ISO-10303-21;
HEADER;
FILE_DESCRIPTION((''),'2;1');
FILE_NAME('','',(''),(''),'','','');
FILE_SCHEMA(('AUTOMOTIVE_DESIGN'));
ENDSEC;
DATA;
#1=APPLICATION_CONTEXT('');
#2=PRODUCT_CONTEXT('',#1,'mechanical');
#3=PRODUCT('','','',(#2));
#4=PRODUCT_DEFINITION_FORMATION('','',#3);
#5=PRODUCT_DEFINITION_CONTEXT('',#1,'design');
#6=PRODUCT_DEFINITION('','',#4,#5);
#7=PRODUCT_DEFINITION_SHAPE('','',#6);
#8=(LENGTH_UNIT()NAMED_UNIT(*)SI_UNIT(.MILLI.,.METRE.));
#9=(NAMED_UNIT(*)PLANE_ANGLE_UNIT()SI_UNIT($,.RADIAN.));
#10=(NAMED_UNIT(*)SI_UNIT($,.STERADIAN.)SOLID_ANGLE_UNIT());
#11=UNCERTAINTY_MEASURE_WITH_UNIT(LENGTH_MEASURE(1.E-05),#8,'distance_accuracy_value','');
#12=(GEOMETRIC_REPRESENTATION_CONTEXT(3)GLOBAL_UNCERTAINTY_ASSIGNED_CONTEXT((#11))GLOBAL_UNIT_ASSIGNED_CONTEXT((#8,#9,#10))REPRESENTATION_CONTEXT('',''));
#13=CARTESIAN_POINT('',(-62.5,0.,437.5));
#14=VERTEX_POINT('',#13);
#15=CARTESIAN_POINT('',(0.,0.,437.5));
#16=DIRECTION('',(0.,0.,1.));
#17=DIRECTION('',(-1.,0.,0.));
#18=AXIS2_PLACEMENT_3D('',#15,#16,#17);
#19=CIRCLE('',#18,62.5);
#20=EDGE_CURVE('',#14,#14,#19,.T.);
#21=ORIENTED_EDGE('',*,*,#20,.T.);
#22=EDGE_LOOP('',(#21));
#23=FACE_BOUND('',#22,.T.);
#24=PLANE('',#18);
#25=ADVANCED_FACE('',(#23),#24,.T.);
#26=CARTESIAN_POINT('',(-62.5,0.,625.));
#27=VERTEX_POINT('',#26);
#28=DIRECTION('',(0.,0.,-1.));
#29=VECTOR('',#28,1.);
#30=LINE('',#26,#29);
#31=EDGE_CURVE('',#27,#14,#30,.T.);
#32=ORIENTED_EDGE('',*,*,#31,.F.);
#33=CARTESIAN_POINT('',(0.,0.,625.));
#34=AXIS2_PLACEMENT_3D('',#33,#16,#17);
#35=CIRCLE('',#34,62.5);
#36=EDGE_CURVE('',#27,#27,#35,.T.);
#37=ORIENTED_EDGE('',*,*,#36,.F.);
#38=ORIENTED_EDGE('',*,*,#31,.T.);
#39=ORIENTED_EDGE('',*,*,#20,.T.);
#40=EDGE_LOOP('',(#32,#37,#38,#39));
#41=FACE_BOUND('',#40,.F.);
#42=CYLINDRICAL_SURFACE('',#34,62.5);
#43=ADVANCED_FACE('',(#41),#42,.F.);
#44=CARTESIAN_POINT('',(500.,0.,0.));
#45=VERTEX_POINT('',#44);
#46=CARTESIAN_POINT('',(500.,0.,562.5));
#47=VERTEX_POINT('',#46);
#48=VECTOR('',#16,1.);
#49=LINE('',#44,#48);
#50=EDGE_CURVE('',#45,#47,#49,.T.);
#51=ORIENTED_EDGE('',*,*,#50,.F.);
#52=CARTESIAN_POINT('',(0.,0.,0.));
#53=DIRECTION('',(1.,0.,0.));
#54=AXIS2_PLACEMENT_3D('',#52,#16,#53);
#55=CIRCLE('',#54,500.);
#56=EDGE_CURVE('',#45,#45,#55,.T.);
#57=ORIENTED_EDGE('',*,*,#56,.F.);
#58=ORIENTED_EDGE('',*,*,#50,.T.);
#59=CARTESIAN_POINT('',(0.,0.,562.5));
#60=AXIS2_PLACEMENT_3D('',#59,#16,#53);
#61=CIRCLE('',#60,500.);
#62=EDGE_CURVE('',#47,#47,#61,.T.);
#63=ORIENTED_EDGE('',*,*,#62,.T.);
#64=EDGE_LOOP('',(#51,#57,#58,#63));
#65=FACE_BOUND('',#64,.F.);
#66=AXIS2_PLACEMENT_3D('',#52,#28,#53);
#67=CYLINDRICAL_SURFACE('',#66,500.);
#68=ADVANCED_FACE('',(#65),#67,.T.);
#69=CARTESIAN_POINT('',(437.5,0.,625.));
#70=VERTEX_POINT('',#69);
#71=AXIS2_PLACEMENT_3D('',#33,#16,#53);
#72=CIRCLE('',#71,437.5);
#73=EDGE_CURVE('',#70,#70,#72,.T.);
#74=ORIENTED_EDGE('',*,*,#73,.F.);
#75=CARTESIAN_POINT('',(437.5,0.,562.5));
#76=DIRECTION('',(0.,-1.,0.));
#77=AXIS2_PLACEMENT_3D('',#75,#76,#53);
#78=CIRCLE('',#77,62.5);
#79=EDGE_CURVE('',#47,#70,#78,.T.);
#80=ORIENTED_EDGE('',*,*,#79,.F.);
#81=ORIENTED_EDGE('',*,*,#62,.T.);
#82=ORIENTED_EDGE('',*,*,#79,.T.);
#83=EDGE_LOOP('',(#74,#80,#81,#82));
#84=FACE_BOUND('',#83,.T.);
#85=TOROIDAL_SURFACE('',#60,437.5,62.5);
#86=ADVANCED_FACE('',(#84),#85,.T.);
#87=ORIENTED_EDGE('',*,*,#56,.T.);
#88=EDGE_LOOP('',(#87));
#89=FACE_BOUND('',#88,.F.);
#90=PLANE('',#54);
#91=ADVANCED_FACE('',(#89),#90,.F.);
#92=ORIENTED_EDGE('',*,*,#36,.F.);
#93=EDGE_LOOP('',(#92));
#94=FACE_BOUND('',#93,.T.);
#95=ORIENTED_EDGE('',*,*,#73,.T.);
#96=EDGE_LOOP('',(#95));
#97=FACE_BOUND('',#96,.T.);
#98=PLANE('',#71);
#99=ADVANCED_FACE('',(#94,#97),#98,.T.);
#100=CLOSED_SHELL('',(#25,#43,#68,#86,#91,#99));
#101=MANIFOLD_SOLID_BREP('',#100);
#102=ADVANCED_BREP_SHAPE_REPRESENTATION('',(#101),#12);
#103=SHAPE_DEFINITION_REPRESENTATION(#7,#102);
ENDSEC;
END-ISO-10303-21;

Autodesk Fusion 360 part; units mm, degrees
sketch "Sketch1" plane through (0, 0, 0) normal (0, 0, 1) x (1, 0, 0)
  circle A0 centre (0, 0) radius 200
  dimension "d1" = 400
extrude "Extrude1" add sketch "Sketch1" along normal blind 250
sketch "Sketch2" plane through (0, 0, 250) normal (0, 0, 1) x (-1, 0, 0)
  circle A0 centre (0, 0) radius 200
  circle A1 centre (0, 0) radius 25
  dimension "d4" = 50
extrude "Extrude2" cut sketch "Sketch2" against normal blind 75 contours A1
fillet "Fillet1" radius 25 1 edges at (-186.4655, -72.3231, 250)
scale "Scale1" factor 2.5 about (0, 0, 0) bodies 1
